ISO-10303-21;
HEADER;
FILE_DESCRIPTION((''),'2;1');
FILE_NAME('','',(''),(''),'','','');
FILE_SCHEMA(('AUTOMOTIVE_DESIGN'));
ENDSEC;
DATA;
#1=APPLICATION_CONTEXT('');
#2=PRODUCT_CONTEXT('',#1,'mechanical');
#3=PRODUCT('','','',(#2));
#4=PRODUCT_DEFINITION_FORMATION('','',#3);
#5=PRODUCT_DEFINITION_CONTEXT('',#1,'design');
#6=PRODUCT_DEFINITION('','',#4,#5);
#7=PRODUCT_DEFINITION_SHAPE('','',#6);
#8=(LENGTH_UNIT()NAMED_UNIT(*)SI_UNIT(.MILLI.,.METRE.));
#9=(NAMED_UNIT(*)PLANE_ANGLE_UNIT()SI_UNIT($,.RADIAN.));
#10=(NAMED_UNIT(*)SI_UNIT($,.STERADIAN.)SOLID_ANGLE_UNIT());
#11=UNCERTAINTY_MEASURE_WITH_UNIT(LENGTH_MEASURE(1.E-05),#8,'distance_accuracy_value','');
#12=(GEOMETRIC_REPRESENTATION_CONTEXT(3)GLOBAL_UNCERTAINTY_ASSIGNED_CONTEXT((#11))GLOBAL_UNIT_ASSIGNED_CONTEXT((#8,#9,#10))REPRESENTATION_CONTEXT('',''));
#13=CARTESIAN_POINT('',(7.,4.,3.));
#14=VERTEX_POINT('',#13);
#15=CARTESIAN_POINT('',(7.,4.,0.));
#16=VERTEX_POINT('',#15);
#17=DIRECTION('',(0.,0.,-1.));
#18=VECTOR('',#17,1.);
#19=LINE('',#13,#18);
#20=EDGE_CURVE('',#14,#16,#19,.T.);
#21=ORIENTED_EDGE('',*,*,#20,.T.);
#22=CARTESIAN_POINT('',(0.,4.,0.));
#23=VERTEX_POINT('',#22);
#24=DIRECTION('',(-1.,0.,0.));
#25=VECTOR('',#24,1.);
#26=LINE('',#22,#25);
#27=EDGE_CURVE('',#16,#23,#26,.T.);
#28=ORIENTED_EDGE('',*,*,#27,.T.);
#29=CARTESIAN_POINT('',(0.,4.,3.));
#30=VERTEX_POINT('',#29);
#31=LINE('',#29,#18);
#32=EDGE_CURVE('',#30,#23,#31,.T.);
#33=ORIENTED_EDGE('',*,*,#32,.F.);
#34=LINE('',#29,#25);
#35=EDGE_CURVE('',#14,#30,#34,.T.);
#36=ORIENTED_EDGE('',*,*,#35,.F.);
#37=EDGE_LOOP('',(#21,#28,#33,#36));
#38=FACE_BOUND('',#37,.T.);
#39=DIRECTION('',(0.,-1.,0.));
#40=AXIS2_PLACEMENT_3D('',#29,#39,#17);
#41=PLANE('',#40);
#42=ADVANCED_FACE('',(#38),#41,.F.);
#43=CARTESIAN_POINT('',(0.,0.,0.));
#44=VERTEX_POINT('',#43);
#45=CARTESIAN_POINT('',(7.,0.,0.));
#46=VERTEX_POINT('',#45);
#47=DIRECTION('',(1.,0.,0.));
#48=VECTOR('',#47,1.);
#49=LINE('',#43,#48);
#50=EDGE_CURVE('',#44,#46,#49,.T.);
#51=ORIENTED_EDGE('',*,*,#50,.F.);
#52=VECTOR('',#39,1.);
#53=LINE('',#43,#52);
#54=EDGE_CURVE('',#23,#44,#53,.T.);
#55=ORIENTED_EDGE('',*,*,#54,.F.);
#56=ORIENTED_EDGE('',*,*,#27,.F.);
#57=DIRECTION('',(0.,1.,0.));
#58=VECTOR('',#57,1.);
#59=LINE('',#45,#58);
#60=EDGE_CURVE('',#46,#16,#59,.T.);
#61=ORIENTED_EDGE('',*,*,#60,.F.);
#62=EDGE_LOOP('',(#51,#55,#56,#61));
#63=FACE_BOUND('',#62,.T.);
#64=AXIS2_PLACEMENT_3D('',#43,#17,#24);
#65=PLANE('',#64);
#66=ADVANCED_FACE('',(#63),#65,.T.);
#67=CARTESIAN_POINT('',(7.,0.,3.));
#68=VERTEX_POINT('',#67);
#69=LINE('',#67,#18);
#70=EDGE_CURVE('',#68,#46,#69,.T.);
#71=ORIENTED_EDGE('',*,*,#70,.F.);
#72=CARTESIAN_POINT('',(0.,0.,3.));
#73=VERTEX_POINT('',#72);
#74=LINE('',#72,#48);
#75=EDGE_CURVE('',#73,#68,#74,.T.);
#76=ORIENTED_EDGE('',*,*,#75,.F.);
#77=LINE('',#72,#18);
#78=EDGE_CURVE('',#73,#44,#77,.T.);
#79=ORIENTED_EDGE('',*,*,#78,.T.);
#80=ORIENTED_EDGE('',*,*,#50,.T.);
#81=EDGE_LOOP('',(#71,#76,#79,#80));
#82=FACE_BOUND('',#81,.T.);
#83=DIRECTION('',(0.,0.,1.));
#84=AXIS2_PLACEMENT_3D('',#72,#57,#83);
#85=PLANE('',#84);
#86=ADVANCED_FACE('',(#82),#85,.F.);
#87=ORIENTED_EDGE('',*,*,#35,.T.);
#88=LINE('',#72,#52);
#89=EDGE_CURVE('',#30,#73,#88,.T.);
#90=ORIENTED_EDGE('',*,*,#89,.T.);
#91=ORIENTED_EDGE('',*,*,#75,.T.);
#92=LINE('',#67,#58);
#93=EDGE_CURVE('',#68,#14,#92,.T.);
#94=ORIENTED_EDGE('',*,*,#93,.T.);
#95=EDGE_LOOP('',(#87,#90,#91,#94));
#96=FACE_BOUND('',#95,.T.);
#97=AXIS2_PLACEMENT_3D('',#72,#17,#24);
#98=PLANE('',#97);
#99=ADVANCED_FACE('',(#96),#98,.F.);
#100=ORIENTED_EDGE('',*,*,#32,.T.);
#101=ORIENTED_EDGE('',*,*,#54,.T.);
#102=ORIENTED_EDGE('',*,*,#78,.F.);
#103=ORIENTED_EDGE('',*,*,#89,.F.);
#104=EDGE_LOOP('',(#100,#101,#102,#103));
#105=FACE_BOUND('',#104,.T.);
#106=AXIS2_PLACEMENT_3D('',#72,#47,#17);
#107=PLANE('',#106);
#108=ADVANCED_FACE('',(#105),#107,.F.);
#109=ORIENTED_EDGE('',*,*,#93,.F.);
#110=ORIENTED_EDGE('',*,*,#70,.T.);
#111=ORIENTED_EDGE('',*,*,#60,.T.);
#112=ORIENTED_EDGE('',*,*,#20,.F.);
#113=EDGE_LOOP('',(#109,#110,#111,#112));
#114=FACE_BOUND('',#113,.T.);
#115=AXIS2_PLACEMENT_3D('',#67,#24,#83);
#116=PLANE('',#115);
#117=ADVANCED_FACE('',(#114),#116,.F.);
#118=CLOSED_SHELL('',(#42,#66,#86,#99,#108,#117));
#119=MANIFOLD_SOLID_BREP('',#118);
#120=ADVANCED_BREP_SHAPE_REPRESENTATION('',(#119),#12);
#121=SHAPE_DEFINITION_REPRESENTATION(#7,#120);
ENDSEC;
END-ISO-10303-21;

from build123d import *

# Parameters (mm, degrees)
SKETCH_1_W      = 7
SKETCH_1_H      = 4
EXTRUDE_1_DEPTH = 3


with BuildPart() as part:
    # ｽｹｯﾁ1 → ﾎﾞｽ - 押し出し1 (new body)
    with BuildSketch(Plane.XY):
        with Locations((3.5, 2)):
            Rectangle(SKETCH_1_W, SKETCH_1_H)
    extrude(amount=EXTRUDE_1_DEPTH)


solid = part.part
